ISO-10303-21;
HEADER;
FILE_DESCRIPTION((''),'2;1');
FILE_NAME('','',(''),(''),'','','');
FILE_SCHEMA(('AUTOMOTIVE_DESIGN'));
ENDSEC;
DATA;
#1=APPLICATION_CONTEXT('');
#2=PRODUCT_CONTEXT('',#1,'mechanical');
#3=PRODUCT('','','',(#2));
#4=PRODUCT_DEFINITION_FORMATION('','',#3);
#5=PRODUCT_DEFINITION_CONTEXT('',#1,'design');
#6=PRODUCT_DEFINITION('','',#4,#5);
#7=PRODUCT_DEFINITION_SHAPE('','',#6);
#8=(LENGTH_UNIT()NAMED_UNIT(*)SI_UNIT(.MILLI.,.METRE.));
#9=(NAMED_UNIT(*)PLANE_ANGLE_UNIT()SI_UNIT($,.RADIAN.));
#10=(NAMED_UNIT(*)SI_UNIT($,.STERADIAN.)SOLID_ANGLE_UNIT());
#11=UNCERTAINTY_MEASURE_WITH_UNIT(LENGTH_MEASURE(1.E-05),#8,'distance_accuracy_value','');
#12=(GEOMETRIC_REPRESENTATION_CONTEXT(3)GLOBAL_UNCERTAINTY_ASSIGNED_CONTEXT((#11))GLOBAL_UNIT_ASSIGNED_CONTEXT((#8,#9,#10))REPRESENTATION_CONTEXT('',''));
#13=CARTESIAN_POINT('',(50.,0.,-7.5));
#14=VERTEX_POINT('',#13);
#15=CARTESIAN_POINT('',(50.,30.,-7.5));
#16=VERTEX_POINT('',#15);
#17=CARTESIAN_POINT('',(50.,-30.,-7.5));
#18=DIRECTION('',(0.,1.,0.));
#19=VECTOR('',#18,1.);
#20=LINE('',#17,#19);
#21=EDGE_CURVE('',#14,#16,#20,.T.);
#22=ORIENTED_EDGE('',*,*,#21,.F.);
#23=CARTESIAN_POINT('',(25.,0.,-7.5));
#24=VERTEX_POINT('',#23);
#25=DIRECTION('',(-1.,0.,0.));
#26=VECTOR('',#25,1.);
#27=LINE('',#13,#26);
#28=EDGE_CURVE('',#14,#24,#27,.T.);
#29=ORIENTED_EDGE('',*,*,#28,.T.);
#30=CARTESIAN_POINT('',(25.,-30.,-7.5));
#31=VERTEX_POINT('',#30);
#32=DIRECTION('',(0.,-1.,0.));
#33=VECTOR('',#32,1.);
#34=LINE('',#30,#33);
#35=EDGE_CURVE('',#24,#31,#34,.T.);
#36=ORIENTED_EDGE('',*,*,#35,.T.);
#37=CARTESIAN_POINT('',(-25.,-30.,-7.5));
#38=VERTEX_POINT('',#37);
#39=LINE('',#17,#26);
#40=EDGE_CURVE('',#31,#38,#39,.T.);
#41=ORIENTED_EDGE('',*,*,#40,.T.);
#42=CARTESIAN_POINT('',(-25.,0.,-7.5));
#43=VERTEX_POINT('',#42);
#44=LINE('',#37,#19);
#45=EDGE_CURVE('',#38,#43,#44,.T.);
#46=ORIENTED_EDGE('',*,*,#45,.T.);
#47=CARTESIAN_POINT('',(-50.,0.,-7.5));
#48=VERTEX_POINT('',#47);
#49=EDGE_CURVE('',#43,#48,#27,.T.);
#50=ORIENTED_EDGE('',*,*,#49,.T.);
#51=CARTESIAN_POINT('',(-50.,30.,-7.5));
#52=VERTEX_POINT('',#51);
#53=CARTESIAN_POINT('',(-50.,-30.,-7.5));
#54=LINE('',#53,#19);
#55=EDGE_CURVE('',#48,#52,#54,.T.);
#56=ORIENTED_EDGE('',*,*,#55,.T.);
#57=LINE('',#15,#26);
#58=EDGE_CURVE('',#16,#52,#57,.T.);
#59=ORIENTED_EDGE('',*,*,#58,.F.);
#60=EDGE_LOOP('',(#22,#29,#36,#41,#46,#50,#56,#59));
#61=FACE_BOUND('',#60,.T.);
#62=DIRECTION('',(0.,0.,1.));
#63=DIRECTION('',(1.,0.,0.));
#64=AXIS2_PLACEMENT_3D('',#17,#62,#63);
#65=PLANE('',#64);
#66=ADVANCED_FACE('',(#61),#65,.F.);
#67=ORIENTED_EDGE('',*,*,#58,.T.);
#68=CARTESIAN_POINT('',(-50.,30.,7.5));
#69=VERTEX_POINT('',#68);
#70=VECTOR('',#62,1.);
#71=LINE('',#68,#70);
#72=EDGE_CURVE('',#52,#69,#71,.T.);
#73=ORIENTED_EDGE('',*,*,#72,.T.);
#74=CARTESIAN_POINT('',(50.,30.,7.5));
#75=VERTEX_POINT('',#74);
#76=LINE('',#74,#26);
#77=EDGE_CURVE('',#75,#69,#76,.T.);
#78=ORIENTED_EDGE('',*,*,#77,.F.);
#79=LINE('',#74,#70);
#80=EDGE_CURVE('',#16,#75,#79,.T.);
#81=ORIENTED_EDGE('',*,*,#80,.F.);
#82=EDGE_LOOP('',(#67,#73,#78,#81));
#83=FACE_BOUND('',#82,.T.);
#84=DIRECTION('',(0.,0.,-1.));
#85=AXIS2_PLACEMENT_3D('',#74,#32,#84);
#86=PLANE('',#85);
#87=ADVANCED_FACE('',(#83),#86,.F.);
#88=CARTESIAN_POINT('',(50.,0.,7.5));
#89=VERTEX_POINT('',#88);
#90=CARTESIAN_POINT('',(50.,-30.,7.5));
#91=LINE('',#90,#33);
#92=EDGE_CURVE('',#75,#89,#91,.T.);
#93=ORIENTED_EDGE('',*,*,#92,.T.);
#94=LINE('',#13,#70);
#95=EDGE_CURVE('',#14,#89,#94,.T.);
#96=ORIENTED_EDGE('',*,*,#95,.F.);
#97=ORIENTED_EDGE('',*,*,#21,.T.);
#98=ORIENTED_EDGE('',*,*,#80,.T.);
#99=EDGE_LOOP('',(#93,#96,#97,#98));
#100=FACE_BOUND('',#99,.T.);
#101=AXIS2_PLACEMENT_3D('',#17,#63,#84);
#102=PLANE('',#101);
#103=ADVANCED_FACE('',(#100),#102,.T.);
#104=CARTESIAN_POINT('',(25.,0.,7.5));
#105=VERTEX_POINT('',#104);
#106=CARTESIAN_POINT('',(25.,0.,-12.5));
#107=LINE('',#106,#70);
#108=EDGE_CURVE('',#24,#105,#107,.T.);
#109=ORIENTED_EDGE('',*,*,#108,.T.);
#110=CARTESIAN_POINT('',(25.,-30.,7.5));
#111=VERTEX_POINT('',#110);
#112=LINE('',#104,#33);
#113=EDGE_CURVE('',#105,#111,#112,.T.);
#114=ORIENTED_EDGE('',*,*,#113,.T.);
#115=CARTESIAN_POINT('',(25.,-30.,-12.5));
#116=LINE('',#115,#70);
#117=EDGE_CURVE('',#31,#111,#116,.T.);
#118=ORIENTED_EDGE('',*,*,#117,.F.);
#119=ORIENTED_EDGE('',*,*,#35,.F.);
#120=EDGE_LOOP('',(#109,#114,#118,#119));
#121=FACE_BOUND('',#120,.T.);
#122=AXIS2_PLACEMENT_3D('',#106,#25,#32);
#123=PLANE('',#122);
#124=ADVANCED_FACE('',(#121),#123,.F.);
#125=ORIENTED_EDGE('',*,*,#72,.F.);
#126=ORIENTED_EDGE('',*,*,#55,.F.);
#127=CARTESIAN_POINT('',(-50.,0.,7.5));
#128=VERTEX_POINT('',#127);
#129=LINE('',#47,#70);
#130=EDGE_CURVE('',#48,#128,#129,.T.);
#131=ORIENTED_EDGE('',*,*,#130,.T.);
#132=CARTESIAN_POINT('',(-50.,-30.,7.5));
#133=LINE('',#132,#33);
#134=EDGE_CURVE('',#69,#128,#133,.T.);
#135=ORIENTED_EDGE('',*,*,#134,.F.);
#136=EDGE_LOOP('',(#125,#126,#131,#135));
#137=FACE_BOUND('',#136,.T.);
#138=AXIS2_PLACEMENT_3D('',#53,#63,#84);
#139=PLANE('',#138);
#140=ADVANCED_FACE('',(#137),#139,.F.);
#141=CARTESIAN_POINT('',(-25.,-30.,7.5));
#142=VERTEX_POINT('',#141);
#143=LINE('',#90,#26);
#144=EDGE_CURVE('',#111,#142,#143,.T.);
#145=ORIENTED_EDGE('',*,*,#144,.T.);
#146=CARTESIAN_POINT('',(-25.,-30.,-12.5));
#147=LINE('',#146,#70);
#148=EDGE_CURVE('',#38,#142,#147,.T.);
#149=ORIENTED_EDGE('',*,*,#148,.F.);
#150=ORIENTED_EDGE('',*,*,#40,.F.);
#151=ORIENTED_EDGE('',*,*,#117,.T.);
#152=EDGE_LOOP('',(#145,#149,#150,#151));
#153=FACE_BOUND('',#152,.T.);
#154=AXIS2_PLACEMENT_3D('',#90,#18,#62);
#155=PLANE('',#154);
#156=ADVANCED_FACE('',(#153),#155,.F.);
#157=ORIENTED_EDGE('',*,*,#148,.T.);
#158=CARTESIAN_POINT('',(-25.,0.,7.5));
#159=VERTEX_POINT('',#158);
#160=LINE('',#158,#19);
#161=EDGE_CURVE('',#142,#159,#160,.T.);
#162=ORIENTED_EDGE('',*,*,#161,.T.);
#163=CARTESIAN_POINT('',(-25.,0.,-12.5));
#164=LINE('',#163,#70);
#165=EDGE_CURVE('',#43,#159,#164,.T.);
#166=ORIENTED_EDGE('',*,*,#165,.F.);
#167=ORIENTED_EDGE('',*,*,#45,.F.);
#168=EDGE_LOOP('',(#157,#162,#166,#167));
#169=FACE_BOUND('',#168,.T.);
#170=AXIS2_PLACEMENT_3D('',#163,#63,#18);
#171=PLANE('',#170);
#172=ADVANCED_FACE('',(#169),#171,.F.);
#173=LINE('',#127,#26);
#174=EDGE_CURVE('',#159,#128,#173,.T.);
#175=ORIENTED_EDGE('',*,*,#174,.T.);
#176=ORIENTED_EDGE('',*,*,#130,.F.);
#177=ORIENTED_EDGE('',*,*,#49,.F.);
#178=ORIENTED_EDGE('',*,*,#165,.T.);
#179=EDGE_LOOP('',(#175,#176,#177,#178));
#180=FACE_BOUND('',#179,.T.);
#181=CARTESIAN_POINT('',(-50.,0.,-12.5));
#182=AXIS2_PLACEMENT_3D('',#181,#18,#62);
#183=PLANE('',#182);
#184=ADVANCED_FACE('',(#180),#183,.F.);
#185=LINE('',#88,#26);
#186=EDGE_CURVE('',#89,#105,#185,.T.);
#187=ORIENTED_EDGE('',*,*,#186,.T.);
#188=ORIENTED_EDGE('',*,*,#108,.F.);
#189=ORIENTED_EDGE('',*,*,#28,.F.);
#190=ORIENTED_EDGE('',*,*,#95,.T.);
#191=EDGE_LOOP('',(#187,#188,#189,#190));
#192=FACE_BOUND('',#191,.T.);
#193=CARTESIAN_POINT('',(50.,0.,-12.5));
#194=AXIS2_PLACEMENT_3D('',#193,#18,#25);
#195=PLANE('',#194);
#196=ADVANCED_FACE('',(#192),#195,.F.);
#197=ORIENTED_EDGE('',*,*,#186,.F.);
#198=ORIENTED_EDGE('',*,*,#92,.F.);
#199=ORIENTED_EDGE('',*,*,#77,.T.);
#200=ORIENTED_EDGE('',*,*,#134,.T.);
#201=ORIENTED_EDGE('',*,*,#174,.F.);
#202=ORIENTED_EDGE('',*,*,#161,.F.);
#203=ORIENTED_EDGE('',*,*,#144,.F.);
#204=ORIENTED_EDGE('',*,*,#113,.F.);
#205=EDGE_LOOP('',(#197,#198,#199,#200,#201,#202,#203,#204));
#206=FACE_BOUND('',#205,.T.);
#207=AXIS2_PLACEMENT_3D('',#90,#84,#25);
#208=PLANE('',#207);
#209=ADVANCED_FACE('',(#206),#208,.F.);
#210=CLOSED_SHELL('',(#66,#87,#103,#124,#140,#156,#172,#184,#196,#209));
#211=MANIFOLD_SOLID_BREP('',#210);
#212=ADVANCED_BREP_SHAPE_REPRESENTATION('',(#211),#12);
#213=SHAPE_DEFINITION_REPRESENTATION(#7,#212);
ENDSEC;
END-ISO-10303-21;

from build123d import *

# Parameters (mm, degrees)
PLAT_W                      = 60
PLAT_H                      = 15
EL_MENT_M_CANO_SOUD_1_DEPTH = 100
ESQUISSE2_W                 = 25
ESQUISSE2_H                 = 30
ENL_V_MAT_EXTRU_1_DEPTH     = 20


with BuildPart() as part:
    # plat → Elément mécano-soudé1 (new body)
    with BuildSketch(Plane.YZ.offset(-50)):
        Rectangle(PLAT_W, PLAT_H)
    extrude(amount=EL_MENT_M_CANO_SOUD_1_DEPTH)

    # Esquisse2 → Enlèv. mat.-Extru.1 (cut)
    with BuildSketch(Plane.XY.offset(7.5)):
        with Locations((-37.5, -15)):
            Rectangle(ESQUISSE2_W, ESQUISSE2_H)
        with Locations((37.5, -15)):
            Rectangle(ESQUISSE2_W, ESQUISSE2_H)
    extrude(amount=-ENL_V_MAT_EXTRU_1_DEPTH, mode=Mode.SUBTRACT)


solid = part.part
